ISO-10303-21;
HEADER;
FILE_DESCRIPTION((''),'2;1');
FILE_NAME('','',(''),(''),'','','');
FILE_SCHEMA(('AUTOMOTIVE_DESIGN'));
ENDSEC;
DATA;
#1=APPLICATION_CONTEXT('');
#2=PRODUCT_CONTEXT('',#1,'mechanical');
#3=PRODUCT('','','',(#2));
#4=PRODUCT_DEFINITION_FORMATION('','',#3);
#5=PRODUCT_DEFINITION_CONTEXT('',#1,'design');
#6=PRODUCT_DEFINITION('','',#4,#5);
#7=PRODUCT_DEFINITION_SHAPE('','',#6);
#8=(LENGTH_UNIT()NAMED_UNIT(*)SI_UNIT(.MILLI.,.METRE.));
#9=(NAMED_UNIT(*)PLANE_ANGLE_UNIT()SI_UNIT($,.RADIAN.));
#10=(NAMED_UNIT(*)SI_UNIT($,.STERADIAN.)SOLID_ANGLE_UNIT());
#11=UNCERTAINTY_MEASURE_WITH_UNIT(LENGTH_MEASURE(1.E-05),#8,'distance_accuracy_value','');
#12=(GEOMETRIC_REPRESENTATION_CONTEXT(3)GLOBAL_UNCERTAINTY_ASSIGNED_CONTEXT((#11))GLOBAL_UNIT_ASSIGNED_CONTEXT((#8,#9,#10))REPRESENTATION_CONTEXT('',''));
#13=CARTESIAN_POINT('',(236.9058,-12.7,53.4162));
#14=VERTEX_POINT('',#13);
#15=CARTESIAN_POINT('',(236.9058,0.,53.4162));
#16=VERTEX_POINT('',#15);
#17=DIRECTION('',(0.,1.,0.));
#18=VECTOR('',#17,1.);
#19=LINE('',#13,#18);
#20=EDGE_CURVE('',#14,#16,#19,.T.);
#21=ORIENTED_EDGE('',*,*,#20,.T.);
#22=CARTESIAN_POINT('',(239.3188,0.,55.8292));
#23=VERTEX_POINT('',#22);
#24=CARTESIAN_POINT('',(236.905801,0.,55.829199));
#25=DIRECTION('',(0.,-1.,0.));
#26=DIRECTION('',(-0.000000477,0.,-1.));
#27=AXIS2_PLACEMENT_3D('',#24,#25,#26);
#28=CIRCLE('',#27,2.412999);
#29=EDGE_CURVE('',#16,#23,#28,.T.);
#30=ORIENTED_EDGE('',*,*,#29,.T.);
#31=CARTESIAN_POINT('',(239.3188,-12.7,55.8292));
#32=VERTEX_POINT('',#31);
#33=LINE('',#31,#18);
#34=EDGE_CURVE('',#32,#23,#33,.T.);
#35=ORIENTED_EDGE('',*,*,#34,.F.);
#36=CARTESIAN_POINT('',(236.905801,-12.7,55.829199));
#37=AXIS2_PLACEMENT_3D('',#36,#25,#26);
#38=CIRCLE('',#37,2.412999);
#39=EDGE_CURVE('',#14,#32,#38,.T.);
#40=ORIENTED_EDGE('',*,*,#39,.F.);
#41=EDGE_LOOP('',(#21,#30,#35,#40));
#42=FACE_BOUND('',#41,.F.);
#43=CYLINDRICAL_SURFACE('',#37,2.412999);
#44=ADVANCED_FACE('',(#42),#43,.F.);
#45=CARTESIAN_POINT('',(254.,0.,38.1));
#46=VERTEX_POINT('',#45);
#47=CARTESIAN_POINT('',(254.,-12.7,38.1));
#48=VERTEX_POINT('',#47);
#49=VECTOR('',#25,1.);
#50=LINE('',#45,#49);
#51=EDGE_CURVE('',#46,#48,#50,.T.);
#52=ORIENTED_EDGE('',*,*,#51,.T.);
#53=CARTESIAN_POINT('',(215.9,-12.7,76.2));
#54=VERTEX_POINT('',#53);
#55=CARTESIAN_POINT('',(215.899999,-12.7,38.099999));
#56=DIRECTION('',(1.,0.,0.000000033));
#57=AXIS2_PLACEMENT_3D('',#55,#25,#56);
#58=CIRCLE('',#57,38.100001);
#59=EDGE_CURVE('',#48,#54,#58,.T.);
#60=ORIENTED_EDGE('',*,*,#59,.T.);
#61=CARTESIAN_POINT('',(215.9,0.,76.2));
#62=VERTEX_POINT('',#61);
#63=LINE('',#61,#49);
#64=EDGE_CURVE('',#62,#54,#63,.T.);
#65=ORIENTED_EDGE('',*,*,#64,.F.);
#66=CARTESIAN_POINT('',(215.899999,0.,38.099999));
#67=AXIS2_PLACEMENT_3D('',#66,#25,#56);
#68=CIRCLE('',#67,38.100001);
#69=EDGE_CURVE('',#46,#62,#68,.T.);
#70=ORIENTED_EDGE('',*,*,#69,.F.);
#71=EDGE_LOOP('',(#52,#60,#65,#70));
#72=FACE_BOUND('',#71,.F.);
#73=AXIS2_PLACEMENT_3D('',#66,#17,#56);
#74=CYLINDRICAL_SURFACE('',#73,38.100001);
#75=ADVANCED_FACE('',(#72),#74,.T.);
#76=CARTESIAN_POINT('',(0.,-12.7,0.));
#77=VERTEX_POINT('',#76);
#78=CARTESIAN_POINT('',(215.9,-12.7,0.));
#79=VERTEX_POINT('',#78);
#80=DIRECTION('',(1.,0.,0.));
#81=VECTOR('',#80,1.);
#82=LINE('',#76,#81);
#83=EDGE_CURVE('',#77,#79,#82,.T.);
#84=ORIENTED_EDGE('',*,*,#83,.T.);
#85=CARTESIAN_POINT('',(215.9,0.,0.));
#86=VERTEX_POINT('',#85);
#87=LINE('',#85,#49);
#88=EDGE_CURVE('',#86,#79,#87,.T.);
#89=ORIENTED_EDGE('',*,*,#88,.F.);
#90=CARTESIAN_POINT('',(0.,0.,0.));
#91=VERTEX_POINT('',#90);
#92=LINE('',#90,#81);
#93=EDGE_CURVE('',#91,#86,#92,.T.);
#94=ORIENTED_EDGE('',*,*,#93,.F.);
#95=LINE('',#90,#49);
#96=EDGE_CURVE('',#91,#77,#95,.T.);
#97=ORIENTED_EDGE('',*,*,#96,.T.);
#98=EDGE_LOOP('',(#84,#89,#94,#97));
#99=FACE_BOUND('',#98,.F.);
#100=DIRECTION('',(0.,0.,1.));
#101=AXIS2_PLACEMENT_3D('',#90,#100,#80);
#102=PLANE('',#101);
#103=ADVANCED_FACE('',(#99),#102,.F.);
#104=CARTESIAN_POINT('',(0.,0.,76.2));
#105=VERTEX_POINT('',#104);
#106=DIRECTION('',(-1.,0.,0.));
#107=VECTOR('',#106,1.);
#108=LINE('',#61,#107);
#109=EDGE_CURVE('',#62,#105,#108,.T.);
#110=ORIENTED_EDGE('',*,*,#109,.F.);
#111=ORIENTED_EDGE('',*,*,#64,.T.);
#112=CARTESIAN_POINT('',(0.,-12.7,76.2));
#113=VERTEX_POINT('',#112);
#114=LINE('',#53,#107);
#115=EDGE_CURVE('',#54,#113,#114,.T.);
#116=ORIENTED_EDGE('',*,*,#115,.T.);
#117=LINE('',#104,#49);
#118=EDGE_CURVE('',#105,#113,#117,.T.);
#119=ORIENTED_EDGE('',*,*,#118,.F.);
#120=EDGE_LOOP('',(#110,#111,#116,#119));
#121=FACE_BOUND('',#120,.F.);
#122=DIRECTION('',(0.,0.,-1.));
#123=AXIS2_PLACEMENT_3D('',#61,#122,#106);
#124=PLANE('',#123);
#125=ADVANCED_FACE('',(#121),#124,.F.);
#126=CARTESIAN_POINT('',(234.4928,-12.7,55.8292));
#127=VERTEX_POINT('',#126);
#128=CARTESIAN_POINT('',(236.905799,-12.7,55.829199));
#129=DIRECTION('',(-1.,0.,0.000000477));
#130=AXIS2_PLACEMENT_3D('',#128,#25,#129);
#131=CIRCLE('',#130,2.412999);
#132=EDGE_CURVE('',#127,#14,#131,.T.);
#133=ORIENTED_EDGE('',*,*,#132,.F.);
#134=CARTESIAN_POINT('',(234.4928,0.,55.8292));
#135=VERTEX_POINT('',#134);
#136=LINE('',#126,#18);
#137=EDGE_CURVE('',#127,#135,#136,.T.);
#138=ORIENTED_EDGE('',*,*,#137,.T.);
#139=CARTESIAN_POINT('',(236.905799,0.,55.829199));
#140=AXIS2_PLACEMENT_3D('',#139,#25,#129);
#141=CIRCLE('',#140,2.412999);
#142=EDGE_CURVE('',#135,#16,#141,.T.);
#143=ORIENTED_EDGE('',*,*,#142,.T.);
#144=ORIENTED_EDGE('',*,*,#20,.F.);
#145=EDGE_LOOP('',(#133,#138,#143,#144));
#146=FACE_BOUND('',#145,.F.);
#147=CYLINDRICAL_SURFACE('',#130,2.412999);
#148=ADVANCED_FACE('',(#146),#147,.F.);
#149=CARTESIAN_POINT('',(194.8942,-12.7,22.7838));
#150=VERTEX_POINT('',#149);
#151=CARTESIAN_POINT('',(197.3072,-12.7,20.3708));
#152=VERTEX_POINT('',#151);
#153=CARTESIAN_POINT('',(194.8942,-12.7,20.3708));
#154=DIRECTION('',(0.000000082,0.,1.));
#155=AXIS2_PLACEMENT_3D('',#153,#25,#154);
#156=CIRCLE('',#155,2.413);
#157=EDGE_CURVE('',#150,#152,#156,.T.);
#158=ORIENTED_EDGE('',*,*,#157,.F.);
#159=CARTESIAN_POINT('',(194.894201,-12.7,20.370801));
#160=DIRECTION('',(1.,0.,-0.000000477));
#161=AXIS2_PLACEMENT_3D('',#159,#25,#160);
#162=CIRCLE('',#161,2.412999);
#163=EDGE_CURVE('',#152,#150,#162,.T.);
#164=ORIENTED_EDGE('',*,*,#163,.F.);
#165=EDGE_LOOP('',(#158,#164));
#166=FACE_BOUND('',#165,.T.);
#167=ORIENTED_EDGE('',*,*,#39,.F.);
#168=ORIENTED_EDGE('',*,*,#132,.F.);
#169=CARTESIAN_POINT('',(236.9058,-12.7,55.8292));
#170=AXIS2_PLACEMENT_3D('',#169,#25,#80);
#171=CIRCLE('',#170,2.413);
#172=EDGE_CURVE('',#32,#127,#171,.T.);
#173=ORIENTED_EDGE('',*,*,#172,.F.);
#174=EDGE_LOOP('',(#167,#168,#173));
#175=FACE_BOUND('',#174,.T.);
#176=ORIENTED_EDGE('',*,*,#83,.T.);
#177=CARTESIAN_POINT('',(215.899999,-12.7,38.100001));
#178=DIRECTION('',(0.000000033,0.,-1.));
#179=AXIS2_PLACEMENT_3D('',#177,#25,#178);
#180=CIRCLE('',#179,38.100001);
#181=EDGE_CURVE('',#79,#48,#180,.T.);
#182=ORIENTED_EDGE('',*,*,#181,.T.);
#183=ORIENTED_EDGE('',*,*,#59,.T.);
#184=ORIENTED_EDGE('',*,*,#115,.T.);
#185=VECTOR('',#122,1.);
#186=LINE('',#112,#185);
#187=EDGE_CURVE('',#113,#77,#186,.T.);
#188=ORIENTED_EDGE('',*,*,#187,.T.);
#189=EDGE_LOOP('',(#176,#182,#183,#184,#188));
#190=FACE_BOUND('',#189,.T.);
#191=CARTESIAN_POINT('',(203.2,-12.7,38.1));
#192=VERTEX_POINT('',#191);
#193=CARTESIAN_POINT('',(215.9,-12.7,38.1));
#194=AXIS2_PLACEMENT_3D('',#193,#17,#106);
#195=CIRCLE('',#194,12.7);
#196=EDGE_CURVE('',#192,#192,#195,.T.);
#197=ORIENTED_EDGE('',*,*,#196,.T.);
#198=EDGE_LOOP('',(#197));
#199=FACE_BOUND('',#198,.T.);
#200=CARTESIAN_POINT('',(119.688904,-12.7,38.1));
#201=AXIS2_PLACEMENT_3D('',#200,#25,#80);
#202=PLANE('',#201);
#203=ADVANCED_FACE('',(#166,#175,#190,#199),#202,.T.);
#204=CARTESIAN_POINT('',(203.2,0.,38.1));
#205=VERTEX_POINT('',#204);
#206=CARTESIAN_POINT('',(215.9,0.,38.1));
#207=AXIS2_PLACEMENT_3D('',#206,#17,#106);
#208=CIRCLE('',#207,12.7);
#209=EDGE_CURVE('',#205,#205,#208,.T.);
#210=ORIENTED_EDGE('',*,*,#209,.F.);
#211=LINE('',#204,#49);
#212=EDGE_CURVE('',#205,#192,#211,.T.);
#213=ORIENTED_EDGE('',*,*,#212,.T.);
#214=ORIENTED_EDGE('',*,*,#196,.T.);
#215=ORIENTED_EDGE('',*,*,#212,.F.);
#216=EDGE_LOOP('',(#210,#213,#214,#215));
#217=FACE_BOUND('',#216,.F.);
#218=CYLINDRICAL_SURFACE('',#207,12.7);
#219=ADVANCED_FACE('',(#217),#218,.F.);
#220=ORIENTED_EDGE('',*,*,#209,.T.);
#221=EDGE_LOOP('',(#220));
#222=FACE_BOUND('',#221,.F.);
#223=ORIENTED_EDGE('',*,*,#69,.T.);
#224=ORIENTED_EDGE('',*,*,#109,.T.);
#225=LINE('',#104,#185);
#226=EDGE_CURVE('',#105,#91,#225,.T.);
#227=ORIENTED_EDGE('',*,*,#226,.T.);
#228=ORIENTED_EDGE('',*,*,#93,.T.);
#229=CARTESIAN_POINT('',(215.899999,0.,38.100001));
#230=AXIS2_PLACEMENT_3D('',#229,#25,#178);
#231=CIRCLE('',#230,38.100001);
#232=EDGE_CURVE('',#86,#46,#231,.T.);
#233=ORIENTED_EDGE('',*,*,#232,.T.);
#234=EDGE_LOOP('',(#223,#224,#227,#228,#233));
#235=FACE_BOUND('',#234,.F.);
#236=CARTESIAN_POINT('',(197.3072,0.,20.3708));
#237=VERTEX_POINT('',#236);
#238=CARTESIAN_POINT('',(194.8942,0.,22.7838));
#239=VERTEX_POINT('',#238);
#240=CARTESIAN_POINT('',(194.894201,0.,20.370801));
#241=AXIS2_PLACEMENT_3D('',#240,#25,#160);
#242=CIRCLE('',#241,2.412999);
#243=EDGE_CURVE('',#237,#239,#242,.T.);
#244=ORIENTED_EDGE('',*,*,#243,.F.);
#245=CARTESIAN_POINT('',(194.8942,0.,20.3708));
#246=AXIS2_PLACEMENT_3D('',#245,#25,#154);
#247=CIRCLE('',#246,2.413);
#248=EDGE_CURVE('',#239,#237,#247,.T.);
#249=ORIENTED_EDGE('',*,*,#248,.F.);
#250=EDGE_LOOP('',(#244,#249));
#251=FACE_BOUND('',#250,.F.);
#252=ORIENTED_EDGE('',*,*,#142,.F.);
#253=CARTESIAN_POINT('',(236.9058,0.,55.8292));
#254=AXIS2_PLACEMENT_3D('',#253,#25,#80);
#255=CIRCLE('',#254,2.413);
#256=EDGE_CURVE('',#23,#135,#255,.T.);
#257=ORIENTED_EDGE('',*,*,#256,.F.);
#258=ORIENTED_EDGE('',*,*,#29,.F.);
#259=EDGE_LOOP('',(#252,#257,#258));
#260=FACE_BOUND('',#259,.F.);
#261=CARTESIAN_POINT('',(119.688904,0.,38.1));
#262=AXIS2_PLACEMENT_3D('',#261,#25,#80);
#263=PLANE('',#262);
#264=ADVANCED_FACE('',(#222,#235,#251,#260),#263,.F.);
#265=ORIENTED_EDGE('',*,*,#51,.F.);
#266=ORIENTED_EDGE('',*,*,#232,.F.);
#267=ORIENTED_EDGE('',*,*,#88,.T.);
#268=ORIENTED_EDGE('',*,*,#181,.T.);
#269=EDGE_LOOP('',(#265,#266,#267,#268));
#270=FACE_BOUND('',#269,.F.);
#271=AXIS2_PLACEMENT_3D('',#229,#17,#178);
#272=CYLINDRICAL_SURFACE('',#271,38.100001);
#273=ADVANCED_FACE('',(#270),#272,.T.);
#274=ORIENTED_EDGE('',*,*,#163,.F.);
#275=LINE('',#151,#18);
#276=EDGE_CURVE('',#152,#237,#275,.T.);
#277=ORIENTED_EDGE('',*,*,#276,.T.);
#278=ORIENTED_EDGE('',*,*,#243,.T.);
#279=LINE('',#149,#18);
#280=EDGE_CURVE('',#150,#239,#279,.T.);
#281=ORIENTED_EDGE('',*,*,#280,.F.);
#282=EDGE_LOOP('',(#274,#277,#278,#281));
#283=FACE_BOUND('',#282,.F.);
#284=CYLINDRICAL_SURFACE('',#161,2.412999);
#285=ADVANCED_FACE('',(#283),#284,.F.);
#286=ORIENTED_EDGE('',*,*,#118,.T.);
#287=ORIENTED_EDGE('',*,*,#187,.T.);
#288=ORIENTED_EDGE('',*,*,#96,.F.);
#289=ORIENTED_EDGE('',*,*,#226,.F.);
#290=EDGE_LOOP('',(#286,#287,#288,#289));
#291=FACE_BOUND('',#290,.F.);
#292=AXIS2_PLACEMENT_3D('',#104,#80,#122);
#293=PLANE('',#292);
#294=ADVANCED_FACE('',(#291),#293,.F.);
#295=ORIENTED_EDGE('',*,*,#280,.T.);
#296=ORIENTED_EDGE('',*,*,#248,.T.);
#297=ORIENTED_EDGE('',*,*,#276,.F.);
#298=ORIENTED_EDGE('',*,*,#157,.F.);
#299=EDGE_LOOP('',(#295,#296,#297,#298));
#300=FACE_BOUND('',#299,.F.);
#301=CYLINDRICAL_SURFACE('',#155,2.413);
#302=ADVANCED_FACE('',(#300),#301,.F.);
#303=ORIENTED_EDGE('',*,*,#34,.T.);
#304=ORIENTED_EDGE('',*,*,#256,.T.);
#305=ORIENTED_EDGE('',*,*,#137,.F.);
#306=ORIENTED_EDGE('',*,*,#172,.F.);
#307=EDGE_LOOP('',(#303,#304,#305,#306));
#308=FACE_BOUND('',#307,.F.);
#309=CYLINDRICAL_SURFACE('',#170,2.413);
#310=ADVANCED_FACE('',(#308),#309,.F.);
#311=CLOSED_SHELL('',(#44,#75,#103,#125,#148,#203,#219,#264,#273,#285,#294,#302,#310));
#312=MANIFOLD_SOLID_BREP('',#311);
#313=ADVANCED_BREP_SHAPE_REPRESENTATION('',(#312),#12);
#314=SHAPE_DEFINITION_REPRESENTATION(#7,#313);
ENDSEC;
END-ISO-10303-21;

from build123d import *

# Parameters (mm, degrees)
F1_DEPTH = 12.7
F3_DEPTH = 25.4


with BuildPart() as f1:
    # F0 (on Front) → F1 (new body)
    with BuildSketch(Plane.XZ):
        with BuildLine():
            Line((0, 38.1), (0, 0))
            Line((0, 0), (215.9, 0))
            ThreePointArc((215.9, 0), (242.840768, 11.159232), (254, 38.1))
            ThreePointArc((254, 38.1), (242.840768, 65.040768), (215.9, 76.2))
            Line((215.9, 76.2), (0, 76.2))
            Line((0, 76.2), (0, 38.1))
        make_face()
        with BuildLine():
            ThreePointArc((228.6, 38.1), (215.9, 25.4), (203.2, 38.1))
            ThreePointArc((203.2, 38.1), (215.9, 50.8), (228.6, 38.1))
        make_face(mode=Mode.SUBTRACT)
    extrude(amount=F1_DEPTH)

    # F2 (on face) → F3 (cut)
    with BuildSketch(Plane.XZ.offset(12.7)):
        with BuildLine():
            Line((194.8942, 20.3708), (194.8942, 22.7838))
            ThreePointArc((194.8942, 22.7838), (193.187951, 18.664551), (197.3072, 20.3708))
            Line((197.3072, 20.3708), (194.8942, 20.3708))
        make_face()
        with BuildLine():
            ThreePointArc((197.3072, 20.3708), (196.600449, 22.077049), (194.8942, 22.7838))
            Line((194.8942, 22.7838), (194.8942, 20.3708))
            Line((194.8942, 20.3708), (197.3072, 20.3708))
        make_face()
        with BuildLine():
            Line((236.9058, 55.8292), (234.4928, 55.8292))
            ThreePointArc((234.4928, 55.8292), (235.199551, 54.122951), (236.9058, 53.4162))
            Line((236.9058, 53.4162), (236.9058, 55.8292))
        make_face()
        with BuildLine():
            ThreePointArc((239.3188, 55.8292), (236.9058, 58.2422), (234.4928, 55.8292))
            Line((234.4928, 55.8292), (236.9058, 55.8292))
            Line((236.9058, 55.8292), (236.9058, 53.4162))
            ThreePointArc((236.9058, 53.4162), (238.612049, 54.122951), (239.3188, 55.8292))
        make_face()
    extrude(amount=-F3_DEPTH, mode=Mode.SUBTRACT)


solid = f1.part
